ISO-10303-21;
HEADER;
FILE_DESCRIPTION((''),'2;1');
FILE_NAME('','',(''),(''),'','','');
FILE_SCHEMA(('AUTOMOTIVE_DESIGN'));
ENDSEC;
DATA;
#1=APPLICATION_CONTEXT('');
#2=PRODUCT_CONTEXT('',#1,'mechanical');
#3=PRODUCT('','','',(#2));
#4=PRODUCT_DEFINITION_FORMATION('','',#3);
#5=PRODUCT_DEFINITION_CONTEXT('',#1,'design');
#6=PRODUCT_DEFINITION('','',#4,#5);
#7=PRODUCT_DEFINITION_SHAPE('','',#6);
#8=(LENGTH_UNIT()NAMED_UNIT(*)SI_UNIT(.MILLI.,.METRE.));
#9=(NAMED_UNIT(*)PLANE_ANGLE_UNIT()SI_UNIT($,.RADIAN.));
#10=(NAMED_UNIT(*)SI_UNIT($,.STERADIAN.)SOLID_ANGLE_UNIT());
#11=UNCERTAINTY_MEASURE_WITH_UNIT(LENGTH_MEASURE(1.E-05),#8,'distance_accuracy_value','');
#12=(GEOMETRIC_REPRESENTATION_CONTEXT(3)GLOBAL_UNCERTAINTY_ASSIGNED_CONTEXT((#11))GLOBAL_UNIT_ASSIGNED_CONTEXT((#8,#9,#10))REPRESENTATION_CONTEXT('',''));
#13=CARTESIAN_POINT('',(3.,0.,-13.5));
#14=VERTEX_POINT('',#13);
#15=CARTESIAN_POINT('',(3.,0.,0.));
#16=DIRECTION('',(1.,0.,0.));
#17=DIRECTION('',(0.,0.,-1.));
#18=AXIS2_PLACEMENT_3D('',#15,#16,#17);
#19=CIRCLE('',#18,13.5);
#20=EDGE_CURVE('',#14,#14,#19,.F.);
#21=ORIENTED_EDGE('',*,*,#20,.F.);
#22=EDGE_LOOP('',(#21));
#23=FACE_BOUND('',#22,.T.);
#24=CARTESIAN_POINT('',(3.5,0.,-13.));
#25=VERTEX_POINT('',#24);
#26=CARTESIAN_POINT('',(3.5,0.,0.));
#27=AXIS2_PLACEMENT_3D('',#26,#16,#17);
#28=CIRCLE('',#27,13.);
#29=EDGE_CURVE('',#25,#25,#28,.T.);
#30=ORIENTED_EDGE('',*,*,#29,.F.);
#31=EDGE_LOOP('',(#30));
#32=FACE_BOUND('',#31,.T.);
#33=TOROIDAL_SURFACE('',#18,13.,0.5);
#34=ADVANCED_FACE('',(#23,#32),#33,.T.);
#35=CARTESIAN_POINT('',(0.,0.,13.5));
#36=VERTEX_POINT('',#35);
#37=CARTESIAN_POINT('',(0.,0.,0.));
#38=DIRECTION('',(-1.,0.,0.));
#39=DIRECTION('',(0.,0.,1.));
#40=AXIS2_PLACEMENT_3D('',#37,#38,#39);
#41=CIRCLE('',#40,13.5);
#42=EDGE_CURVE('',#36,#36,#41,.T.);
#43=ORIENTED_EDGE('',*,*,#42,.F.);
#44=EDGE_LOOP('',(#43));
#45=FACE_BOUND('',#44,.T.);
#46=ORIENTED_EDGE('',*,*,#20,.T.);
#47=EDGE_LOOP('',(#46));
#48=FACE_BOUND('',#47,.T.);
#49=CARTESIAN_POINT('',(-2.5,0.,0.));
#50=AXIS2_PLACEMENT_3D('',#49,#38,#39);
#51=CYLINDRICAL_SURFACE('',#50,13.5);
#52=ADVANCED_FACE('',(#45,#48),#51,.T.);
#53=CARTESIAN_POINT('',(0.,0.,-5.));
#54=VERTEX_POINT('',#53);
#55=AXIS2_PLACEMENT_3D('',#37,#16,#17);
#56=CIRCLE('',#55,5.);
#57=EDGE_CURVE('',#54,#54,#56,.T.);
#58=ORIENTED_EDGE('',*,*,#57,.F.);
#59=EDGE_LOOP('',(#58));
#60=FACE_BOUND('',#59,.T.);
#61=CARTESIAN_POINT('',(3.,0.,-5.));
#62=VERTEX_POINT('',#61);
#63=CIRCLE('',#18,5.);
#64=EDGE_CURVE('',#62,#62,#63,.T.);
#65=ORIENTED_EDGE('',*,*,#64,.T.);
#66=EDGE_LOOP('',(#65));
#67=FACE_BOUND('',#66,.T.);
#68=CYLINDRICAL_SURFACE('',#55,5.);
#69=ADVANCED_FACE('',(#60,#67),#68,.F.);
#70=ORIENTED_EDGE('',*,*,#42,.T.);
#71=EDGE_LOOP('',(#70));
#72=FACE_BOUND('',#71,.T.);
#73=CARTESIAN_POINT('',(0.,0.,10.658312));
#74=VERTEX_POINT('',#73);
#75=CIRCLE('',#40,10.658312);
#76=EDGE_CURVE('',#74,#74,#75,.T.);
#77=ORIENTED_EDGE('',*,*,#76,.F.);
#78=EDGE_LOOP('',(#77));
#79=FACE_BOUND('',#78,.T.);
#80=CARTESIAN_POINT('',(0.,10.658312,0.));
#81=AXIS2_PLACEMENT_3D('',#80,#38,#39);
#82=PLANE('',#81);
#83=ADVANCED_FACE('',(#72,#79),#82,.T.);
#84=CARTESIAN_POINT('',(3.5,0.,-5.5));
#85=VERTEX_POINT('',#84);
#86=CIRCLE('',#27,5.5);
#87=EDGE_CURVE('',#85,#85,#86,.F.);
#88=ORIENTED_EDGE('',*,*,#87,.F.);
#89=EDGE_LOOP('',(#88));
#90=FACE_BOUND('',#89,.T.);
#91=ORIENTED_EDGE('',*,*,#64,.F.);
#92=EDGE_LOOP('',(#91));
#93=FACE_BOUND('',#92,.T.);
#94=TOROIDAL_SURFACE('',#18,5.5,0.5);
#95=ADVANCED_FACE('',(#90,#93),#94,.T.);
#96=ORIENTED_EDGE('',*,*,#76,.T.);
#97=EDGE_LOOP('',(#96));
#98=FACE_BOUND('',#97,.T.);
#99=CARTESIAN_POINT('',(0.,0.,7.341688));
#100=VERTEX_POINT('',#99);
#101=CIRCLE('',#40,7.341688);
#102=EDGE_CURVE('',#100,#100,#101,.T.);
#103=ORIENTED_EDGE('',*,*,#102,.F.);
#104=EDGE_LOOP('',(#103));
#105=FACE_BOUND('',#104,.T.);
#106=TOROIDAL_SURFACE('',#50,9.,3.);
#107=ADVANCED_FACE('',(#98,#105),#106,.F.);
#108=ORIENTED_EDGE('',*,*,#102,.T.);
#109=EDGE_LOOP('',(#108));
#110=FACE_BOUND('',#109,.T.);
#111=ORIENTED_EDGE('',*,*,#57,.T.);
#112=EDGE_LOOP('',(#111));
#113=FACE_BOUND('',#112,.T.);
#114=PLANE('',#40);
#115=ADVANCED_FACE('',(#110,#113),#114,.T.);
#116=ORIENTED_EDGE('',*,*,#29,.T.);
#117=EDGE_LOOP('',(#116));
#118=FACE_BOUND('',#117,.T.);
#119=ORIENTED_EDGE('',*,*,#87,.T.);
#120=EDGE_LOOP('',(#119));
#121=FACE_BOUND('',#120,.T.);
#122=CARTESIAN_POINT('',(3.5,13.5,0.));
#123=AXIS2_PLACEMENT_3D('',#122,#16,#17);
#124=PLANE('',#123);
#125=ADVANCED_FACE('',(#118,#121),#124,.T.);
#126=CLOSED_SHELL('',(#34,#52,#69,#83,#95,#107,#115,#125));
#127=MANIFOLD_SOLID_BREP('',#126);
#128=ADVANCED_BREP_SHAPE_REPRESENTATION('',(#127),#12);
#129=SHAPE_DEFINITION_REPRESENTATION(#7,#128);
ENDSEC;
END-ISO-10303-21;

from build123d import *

# Parameters (mm, degrees)
CONG_1_R                = 0.5
ESQUISSE2_R             = 5
ENL_V_MAT_EXTRU_1_DEPTH = 20.410049083
CONG_2_R                = 0.5


with BuildPart() as part:
    # Esquisse1 → Base-Révolution (revolve)
    with BuildSketch(Plane.XY, mode=Mode.PRIVATE) as base_r_volution_sk:
        with BuildLine():
            Line((0, 0), (0, 7.341687605))
            ThreePointArc((0, 7.341687605), (0.5, 9), (0, 10.658312395))
            Line((0, 10.658312395), (0, 13.5))
            Line((0, 13.5), (3.5, 13.5))
            Line((3.5, 13.5), (3.5, 0))
            Line((3.5, 0), (0, 0))
        make_face()
    revolve(base_r_volution_sk.sketch.rotate(Axis((-2.5, 0, 0), (1, 0, 0)), 270), axis=Axis((-2.5, 0, 0), (1, 0, 0)))

    # Congé1
    cong_1_edges = [part.edges().sort_by_distance(p)[0] for p in [
        (3.5, 0, 13.5),
    ]]
    fillet(cong_1_edges, radius=CONG_1_R)

    # Esquisse2 → Enlèv. mat.-Extru.1 (cut, through all)
    with BuildSketch(Plane(origin=(3.5, 0, 0), x_dir=(0, 0, -1), z_dir=(1, 0, 0))):
        Circle(ESQUISSE2_R)
    extrude(amount=-ENL_V_MAT_EXTRU_1_DEPTH, mode=Mode.SUBTRACT)

    # Congé2
    cong_2_edges = [part.edges().sort_by_distance(p)[0] for p in [
        (3.5, 0, 5),
    ]]
    fillet(cong_2_edges, radius=CONG_2_R)


solid = part.part
